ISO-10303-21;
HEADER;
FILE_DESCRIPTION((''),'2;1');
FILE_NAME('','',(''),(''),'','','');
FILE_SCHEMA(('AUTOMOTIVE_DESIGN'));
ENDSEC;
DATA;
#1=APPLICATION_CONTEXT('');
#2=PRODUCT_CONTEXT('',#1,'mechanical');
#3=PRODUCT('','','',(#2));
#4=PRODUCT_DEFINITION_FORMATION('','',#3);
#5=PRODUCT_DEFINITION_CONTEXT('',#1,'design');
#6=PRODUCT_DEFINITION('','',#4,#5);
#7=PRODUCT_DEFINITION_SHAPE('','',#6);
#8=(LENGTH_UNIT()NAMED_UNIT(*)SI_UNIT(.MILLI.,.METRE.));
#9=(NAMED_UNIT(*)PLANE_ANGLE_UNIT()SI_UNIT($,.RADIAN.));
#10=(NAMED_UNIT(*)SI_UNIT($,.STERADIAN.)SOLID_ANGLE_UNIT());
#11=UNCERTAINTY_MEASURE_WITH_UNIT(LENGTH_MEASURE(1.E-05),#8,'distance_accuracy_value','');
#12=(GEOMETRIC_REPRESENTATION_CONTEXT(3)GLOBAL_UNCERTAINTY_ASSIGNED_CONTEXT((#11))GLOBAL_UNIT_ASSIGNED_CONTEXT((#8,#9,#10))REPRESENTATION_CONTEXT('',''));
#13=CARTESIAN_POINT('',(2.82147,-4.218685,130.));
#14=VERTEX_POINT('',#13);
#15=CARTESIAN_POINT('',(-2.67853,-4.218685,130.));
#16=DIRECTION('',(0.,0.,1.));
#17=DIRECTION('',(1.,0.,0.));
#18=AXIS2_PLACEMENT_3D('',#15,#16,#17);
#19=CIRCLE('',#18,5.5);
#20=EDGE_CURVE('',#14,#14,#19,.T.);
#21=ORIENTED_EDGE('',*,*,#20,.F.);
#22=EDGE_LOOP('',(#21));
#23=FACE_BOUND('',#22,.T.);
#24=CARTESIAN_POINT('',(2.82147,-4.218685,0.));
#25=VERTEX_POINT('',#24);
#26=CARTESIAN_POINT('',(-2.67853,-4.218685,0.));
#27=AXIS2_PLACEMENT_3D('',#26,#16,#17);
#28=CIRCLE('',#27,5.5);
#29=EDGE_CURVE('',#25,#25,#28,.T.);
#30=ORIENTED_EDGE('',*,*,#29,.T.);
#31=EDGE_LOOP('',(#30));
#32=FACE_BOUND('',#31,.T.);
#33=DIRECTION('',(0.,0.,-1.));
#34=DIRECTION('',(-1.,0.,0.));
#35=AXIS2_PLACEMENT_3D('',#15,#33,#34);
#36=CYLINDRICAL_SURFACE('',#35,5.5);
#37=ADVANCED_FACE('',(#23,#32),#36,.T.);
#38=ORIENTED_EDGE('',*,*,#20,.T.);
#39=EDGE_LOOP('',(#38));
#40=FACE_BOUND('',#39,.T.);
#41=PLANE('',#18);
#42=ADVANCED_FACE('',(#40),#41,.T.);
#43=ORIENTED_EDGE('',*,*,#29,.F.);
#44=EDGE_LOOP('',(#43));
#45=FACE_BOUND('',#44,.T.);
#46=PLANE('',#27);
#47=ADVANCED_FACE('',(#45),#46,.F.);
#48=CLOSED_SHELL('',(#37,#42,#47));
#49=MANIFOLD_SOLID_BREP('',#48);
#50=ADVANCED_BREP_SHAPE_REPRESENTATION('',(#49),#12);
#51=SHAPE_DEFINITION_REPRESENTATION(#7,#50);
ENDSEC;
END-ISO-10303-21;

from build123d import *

# Parameters (mm, degrees)
SKETCH1_R           = 5.5
BOSS_EXTRUDE1_DEPTH = 130


with BuildPart() as part:
    # Sketch1 → Boss-Extrude1 (new body)
    with BuildSketch(Plane.XY):
        with Locations((-2.678530236, -4.218685121)):
            Circle(SKETCH1_R)
    extrude(amount=BOSS_EXTRUDE1_DEPTH)


solid = part.part
